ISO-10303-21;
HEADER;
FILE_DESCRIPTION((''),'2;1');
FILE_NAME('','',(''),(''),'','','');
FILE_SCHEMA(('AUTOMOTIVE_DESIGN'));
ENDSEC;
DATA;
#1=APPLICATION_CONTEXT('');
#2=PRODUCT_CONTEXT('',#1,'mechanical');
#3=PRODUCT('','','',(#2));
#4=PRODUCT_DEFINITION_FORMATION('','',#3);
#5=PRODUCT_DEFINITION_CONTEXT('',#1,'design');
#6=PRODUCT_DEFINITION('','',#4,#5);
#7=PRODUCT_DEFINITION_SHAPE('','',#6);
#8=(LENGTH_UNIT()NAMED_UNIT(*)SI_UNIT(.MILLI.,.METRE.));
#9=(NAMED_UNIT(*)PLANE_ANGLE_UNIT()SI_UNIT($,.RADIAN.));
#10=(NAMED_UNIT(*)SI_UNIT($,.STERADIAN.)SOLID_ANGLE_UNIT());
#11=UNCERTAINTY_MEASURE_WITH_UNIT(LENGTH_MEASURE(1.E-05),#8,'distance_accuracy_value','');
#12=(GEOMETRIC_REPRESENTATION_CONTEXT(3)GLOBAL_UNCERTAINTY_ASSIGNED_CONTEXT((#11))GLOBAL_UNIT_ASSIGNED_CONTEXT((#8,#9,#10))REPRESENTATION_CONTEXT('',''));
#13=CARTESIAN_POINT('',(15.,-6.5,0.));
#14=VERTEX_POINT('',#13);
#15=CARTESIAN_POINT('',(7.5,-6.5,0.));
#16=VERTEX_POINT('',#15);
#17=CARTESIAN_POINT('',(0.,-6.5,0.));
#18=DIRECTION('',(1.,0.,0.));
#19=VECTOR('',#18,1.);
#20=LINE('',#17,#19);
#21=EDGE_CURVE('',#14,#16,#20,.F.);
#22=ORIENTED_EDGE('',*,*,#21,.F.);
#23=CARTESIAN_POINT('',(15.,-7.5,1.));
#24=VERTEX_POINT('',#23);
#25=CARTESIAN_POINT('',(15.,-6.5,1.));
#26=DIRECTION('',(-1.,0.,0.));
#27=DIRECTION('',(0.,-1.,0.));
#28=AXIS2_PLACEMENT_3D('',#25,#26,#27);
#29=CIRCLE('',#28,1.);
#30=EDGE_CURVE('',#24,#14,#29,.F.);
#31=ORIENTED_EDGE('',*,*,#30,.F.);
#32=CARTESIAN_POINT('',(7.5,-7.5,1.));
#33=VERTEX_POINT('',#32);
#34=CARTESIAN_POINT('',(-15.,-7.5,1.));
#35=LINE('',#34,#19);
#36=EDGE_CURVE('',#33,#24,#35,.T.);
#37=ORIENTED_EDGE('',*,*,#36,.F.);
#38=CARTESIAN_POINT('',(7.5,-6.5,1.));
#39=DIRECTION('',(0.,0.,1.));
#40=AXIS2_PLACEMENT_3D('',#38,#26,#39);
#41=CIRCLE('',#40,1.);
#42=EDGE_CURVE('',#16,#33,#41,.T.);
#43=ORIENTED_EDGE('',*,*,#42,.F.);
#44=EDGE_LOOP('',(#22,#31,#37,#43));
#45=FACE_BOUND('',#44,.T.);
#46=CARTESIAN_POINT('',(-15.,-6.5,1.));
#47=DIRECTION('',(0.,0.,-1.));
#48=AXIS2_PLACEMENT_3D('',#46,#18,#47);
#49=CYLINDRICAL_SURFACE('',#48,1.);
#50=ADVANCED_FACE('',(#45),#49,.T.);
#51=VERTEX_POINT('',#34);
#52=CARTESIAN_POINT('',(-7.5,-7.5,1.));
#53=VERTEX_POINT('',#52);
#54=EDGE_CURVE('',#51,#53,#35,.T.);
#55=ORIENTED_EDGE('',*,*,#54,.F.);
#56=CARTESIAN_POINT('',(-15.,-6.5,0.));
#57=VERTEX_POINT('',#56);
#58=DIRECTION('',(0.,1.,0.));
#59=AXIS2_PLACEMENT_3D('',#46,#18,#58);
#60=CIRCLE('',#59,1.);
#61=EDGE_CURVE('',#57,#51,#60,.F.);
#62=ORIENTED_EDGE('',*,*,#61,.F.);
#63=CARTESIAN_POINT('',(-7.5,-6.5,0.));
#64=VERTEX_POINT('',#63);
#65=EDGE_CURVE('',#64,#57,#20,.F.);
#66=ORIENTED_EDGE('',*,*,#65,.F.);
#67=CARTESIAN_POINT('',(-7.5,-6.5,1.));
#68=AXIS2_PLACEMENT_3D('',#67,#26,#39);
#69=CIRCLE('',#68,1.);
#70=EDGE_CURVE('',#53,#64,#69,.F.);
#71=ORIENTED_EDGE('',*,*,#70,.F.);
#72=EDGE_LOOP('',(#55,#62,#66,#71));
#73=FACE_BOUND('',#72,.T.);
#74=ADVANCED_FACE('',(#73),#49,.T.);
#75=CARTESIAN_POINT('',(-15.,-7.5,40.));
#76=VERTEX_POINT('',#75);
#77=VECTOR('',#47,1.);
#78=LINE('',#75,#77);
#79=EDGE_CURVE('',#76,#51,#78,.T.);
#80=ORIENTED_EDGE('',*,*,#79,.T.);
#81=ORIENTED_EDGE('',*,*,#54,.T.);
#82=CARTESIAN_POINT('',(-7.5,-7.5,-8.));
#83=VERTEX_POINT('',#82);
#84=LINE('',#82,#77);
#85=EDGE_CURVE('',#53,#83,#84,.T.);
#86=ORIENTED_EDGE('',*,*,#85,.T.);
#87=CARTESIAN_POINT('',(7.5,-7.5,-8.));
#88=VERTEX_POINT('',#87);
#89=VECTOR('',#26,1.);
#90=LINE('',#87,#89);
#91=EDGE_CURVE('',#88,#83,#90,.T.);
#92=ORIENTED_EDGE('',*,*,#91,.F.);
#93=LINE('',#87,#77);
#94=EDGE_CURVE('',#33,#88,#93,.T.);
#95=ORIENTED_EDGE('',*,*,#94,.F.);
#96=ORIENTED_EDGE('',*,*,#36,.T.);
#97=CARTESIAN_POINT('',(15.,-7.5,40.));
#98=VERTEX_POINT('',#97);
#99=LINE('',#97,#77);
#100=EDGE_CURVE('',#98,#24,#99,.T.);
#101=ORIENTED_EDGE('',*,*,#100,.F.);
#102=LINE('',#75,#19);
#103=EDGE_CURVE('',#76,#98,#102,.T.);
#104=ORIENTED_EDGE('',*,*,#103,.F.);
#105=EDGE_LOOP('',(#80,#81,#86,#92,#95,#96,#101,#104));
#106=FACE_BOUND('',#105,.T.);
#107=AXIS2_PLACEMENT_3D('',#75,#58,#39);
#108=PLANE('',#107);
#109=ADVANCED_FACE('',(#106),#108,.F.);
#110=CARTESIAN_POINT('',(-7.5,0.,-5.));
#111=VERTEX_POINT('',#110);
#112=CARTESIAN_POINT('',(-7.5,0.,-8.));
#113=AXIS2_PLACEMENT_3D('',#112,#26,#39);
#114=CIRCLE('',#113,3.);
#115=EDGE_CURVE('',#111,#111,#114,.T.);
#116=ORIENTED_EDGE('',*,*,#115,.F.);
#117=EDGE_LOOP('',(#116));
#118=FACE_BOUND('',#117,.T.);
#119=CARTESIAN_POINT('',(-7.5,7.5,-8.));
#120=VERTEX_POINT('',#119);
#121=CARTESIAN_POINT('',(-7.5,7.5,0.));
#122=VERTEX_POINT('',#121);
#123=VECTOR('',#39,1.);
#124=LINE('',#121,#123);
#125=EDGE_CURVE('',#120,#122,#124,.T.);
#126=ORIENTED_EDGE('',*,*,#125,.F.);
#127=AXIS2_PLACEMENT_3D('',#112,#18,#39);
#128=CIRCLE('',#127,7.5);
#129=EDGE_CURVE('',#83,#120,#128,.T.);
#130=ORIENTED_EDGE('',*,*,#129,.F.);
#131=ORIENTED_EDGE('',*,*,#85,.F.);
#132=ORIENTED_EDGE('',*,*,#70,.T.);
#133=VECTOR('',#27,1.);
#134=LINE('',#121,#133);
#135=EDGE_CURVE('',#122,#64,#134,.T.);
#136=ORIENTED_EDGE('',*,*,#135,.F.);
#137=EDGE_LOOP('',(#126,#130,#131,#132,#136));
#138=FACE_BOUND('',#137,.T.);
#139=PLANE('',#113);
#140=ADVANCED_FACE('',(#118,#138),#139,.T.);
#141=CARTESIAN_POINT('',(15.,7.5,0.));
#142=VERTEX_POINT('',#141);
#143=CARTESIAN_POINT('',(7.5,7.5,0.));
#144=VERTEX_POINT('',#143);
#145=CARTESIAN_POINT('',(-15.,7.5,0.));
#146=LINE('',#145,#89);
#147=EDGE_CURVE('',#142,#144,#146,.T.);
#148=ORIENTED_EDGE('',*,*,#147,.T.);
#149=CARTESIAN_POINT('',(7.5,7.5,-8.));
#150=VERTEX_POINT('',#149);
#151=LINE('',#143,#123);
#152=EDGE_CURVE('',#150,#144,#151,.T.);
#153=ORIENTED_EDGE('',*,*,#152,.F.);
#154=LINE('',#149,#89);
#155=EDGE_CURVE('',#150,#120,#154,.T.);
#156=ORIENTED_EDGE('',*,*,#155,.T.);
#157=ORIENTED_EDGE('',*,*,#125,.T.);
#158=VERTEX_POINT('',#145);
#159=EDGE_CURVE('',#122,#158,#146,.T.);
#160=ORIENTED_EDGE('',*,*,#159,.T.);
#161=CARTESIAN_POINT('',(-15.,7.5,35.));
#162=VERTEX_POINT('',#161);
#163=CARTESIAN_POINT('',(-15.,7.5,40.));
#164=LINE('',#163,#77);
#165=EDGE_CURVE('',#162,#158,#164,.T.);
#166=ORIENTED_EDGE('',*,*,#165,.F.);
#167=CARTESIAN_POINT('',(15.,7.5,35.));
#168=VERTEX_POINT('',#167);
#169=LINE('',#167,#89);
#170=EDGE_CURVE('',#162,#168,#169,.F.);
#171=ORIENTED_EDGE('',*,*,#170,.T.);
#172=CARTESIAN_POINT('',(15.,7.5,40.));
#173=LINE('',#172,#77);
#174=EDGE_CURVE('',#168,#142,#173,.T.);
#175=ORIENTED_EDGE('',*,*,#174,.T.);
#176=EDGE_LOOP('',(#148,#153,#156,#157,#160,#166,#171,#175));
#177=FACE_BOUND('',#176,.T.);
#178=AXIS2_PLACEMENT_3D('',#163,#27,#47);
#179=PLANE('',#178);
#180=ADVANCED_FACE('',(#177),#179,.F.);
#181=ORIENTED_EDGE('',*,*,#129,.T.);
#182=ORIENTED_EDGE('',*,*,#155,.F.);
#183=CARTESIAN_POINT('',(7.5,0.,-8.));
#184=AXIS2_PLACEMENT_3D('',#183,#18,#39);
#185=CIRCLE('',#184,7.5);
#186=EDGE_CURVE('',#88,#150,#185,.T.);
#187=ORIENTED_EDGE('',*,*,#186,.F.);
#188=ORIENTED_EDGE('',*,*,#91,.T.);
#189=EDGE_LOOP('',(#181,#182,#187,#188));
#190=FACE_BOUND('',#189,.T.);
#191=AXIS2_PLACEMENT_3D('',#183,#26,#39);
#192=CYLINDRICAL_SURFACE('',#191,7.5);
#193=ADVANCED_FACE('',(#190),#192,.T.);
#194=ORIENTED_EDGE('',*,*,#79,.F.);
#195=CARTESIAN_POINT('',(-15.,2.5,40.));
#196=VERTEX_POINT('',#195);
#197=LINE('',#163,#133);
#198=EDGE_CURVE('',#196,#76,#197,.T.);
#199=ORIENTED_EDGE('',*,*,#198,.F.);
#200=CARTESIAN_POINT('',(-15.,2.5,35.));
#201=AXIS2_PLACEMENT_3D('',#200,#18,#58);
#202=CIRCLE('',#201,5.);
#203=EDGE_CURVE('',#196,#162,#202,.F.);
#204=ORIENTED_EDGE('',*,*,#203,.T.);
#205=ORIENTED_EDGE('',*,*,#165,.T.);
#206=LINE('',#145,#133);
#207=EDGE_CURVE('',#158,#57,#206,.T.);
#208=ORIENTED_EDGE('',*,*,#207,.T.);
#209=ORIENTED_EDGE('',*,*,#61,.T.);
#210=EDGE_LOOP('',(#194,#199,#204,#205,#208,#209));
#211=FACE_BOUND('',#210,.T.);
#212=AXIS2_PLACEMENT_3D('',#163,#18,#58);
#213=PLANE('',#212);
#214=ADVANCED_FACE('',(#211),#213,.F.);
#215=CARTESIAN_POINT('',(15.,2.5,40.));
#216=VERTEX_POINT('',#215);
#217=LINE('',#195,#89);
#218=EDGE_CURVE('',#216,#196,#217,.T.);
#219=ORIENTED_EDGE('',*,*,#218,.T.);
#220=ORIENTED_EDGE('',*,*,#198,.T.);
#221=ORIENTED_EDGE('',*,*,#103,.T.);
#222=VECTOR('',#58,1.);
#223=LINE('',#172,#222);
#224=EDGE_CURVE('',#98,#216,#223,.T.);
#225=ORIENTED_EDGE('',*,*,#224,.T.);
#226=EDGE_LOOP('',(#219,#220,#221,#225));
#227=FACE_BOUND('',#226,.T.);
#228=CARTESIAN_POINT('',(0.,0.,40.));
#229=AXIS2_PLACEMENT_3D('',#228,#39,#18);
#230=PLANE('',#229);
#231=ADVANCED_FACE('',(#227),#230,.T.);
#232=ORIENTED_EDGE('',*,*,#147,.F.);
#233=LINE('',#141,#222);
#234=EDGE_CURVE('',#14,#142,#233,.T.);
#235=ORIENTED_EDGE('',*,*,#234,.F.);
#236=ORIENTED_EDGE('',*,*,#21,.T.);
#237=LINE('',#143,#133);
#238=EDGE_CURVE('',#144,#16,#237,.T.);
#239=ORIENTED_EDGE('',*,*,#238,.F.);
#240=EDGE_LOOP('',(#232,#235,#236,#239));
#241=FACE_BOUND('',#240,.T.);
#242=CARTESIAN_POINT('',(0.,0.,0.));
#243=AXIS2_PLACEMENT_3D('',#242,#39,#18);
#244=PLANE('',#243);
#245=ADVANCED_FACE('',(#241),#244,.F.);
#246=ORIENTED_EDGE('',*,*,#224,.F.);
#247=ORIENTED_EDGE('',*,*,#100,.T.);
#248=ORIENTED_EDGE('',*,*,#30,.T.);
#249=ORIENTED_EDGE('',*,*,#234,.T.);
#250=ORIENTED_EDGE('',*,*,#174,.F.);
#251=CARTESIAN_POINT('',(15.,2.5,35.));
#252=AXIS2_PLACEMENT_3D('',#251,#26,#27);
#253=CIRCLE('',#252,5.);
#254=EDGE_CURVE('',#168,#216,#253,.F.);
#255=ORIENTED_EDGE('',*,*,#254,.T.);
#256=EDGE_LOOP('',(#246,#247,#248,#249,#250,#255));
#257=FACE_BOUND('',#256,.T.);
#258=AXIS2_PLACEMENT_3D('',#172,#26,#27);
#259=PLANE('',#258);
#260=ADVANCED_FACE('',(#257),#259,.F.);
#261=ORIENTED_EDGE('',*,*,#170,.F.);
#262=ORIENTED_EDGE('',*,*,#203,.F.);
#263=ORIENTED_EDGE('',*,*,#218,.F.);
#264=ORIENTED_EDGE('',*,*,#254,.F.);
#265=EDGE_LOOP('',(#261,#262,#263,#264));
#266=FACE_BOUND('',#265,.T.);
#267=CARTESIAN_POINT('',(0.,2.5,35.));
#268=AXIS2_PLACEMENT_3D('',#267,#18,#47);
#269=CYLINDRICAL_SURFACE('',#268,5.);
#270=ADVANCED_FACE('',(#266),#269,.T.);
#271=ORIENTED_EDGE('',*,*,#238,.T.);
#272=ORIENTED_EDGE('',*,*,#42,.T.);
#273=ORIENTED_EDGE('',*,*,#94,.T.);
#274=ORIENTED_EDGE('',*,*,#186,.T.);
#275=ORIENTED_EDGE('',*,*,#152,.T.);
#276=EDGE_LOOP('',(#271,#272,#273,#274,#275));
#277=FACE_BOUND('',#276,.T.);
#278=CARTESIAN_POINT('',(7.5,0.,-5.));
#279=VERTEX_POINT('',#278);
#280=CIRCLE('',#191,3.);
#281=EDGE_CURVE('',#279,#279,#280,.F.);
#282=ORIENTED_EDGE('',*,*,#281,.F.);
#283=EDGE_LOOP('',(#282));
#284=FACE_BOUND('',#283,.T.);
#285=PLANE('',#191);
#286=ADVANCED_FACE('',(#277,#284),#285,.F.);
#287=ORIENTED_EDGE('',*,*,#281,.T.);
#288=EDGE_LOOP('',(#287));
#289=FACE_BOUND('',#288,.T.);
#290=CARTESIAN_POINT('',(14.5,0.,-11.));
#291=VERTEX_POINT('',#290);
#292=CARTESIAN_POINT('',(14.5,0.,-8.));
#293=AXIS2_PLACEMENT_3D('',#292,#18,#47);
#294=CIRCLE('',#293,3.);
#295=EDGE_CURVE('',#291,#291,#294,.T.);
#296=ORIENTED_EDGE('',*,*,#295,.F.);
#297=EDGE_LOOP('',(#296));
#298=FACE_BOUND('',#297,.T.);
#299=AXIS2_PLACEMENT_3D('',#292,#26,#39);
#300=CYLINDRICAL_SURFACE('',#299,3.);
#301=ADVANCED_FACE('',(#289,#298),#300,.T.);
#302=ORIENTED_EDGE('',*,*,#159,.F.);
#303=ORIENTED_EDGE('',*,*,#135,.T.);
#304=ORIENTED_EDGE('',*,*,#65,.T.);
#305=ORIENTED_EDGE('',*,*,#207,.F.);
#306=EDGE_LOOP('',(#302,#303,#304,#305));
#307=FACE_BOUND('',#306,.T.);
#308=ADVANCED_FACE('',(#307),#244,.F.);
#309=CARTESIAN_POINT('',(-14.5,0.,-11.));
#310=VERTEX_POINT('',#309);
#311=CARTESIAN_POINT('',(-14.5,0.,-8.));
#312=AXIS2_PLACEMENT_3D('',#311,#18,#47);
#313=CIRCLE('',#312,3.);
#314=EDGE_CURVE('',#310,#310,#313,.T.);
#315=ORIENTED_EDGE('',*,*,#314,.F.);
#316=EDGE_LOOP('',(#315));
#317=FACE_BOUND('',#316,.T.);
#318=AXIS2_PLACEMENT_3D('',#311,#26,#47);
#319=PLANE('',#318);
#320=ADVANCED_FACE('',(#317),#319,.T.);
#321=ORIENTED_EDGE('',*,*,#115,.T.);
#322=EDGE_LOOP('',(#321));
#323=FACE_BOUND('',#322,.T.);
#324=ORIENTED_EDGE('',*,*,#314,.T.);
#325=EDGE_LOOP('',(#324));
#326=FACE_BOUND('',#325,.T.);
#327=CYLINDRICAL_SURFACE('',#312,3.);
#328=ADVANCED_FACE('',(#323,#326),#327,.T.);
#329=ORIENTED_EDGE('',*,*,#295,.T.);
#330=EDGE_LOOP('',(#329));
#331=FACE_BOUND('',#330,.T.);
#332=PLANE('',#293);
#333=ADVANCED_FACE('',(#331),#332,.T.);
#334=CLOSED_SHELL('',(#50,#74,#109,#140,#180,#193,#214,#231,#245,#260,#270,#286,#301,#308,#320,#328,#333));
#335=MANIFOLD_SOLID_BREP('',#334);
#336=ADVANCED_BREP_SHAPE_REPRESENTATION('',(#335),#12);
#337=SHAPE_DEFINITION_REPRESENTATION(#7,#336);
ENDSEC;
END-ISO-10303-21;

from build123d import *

# Parameters (mm, degrees)
SKETCH_1_W      = 30
SKETCH_1_H      = 15
EXTRUDE_1_DEPTH = 40
EXTRUDE_3_DEPTH = 7.5
SKETCH_7_R      = 3
EXTRUDE_4_DEPTH = 7
FILLET_1_R      = 5
FILLET_2_R      = 1


with BuildPart() as part:
    # 草图1 → 凸台-拉伸1 (new body)
    with BuildSketch(Plane.XY):
        Rectangle(SKETCH_1_W, SKETCH_1_H)
    extrude(amount=EXTRUDE_1_DEPTH)

    # 草图6 → 凸台-拉伸3 (add, symmetric)
    with BuildSketch(Plane(origin=(0, 0, 0), x_dir=(0, 0, -1), z_dir=(1, 0, 0))):
        with BuildLine():
            Line((0, 7.5), (8, 7.5))
            ThreePointArc((8, 7.5), (15.5, 0), (8, -7.5))
            Line((8, -7.5), (0, -7.5))
            Line((0, -7.5), (0, 7.5))
        make_face()
    extrude(amount=EXTRUDE_3_DEPTH, both=True)

    # 草图7 → 凸台-拉伸4 (add)
    with BuildSketch(Plane(origin=(7.5, 0, 0), x_dir=(0, 0, -1), z_dir=(1, 0, 0))):
        with Locations(Location((8, 0, 0), (0, 0, 180))):
            Circle(SKETCH_7_R)
    extrude_4 = extrude(amount=EXTRUDE_4_DEPTH)

    # 镜向2: 凸台-拉伸4 across plane
    add(extrude_4.mirror(Plane(origin=(0, 0, 0), x_dir=(0, 0, 1), z_dir=(1, 0, 0))))

    # 圆角1
    fillet_1_edges = [part.edges().sort_by_distance(p)[0] for p in [
        (0, 7.5, 40),
    ]]
    fillet(fillet_1_edges, radius=FILLET_1_R)

    # 圆角2
    fillet_2_edges = [part.edges().sort_by_distance(p)[0] for p in [
        (11.25, -7.5, 0),
        (-11.25, -7.5, 0),
    ]]
    fillet(fillet_2_edges, radius=FILLET_2_R)


solid = part.part
